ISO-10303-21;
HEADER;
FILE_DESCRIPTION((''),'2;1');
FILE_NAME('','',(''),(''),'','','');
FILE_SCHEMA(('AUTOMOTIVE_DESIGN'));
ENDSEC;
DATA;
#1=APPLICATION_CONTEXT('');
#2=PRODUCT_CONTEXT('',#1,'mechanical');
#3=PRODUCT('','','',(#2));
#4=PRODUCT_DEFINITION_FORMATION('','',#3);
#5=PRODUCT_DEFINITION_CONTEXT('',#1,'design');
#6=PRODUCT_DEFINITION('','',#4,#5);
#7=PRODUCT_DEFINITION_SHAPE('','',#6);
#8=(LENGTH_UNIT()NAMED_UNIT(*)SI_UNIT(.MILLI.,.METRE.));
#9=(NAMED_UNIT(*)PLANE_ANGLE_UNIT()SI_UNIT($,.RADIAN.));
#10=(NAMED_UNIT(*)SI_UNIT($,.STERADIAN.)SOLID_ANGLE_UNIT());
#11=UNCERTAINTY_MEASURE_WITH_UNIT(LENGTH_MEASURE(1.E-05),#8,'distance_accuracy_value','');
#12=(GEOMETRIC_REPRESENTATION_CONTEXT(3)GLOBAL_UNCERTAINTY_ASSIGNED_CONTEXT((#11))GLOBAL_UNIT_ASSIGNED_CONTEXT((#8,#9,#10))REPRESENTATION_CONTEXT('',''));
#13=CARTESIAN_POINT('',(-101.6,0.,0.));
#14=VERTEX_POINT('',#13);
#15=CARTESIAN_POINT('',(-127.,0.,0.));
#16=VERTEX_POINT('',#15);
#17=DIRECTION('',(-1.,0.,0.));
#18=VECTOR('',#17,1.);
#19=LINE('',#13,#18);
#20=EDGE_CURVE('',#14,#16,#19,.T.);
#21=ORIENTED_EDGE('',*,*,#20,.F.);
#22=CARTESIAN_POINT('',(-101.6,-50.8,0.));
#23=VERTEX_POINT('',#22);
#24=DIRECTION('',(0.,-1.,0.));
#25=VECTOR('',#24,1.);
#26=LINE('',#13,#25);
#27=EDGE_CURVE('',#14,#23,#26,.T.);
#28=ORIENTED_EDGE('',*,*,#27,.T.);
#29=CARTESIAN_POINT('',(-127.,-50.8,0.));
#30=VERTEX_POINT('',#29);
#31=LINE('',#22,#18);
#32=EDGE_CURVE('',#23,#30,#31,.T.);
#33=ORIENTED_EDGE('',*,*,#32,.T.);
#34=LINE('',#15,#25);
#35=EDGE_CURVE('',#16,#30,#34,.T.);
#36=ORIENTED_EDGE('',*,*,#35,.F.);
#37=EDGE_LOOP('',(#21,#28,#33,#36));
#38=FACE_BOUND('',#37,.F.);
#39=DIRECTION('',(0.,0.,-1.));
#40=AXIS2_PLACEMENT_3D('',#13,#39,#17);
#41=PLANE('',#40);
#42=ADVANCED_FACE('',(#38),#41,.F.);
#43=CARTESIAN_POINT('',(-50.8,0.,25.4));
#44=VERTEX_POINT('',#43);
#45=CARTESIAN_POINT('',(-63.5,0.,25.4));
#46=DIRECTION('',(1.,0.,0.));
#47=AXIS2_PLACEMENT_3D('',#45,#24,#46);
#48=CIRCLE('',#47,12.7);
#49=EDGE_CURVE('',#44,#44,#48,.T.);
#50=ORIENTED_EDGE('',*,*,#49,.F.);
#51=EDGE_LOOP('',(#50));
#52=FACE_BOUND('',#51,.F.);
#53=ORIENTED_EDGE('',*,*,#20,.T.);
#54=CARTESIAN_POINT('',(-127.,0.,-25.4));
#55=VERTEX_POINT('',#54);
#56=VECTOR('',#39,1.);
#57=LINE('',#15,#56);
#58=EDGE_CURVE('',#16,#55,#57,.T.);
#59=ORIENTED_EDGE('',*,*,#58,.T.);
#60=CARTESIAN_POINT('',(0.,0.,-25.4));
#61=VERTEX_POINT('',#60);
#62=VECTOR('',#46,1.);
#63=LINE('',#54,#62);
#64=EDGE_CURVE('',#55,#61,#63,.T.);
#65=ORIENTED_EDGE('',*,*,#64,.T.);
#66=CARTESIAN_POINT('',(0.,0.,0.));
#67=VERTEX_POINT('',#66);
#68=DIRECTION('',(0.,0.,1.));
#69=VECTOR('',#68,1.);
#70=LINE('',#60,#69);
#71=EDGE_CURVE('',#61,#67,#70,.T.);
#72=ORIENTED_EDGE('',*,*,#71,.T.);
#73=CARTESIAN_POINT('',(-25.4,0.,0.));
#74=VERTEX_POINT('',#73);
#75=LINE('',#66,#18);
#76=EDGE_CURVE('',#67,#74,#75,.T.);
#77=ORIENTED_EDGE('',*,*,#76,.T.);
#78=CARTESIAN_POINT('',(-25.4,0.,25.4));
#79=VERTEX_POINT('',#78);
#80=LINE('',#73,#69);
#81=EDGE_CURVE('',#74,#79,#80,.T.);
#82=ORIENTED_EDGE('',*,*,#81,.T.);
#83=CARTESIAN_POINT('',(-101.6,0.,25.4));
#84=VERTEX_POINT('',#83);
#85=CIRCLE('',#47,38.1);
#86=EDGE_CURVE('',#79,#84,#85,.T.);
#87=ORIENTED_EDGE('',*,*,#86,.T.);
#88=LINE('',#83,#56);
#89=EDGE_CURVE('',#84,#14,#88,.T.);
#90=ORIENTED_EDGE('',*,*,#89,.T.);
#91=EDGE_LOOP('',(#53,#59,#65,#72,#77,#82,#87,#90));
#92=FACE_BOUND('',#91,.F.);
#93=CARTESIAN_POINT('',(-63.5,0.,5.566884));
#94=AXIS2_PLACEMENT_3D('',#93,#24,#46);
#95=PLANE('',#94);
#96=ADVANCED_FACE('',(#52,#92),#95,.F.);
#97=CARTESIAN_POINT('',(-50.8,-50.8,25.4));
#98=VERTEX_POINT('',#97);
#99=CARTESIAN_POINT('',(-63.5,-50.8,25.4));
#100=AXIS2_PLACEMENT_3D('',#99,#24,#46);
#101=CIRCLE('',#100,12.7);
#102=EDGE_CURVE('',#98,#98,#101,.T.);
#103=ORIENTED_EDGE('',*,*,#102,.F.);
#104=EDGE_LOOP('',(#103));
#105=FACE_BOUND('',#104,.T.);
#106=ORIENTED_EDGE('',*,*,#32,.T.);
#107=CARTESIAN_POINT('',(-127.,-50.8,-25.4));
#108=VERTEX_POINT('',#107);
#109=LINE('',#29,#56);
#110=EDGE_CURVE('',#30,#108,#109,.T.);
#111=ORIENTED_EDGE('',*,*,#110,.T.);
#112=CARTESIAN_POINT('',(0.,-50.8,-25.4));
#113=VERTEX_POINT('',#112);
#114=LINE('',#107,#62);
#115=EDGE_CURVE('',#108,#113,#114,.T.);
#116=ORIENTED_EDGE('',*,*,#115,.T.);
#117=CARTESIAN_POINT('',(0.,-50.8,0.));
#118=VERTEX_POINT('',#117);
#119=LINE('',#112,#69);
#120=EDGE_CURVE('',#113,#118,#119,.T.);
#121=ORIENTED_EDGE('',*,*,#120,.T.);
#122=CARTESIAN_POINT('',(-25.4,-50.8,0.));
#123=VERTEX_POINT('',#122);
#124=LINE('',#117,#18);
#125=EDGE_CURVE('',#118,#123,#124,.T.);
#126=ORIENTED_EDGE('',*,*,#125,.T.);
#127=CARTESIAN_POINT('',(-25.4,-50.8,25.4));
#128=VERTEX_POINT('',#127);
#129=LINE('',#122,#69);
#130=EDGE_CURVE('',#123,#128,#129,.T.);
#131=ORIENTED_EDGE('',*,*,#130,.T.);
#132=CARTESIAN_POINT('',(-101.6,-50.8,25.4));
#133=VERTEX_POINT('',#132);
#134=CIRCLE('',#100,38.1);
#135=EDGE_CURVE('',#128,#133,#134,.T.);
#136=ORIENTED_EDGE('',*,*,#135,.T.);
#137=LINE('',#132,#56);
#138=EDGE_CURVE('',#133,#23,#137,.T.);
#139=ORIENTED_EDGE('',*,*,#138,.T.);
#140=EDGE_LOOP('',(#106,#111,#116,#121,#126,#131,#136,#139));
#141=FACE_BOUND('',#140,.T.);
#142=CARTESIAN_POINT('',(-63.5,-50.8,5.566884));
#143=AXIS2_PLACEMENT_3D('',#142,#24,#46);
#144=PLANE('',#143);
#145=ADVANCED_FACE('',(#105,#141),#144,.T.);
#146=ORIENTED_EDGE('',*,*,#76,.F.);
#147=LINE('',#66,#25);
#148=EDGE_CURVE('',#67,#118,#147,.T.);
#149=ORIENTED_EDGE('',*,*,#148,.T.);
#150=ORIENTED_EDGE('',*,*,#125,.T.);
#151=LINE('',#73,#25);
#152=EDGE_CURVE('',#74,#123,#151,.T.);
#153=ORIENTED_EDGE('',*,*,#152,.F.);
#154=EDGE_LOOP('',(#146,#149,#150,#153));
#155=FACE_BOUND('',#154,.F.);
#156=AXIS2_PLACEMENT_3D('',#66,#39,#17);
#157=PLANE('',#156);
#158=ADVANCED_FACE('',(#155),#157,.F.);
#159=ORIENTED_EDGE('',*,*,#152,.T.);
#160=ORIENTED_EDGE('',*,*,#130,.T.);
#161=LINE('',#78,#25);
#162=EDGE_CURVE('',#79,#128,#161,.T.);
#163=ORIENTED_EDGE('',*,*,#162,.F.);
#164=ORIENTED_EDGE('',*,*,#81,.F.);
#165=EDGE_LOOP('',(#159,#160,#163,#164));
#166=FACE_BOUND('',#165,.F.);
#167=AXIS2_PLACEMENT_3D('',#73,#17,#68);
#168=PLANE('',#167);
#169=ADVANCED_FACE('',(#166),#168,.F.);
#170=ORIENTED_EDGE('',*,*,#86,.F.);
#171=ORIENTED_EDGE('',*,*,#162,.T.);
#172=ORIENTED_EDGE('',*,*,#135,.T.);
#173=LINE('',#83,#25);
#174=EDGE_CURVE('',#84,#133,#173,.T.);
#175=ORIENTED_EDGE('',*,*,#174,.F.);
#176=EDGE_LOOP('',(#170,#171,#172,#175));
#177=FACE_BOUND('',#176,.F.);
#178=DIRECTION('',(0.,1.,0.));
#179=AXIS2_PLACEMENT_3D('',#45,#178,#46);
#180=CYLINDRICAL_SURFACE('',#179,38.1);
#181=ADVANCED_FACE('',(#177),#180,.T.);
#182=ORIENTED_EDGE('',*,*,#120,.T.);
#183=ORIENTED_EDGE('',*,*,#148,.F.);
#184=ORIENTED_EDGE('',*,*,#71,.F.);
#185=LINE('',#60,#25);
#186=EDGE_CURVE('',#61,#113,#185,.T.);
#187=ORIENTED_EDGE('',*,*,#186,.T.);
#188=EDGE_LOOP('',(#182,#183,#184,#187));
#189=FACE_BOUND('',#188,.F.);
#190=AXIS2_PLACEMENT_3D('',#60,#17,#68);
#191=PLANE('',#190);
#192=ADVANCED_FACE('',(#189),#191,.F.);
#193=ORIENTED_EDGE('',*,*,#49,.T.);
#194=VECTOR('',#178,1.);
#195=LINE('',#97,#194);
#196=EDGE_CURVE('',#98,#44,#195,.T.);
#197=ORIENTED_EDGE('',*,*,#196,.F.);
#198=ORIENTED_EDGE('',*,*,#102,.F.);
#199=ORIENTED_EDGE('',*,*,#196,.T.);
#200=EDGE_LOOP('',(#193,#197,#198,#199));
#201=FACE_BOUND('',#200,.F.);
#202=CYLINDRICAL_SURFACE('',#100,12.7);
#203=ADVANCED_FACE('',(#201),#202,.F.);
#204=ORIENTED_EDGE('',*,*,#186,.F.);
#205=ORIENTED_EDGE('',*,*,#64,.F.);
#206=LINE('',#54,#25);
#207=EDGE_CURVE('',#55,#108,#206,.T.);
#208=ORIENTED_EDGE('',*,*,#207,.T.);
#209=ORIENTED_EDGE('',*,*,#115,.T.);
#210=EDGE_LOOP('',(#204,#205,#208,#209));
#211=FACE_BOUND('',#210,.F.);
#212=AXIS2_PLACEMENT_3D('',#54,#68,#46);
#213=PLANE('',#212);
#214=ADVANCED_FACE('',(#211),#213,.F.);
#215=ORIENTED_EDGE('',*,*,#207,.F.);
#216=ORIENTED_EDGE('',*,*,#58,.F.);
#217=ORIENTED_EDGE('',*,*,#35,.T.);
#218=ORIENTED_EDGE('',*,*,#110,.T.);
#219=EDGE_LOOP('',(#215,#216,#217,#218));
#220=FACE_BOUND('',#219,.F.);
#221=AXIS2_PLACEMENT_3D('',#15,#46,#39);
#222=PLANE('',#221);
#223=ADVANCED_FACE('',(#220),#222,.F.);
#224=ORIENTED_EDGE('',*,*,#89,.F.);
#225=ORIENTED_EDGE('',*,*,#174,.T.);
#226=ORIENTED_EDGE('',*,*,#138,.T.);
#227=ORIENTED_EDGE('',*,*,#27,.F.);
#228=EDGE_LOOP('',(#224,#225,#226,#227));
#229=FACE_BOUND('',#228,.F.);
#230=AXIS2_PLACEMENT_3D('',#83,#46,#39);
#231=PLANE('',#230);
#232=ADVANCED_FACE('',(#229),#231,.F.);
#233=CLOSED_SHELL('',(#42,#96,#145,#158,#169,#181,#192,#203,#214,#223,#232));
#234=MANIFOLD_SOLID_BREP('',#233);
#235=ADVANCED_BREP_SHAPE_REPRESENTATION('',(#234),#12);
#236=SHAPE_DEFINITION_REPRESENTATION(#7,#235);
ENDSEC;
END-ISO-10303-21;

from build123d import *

# Parameters (mm, degrees)
F1_DEPTH = 50.8
F2_R     = 12.7
F3_DEPTH = 50.801


with BuildPart() as f1:
    # F0 (on Front) → F1 (new body)
    with BuildSketch(Plane.XZ):
        with BuildLine():
            Line((0, -25.4), (0, 0))
            Line((0, 0), (-25.4, 0))
            Line((-25.4, 0), (-25.4, 25.4))
            ThreePointArc((-25.4, 25.4), (-63.5, 63.5), (-101.6, 25.4))
            Line((-101.6, 25.4), (-101.6, 0))
            Line((-101.6, 0), (-127, 0))
            Line((-127, 0), (-127, -25.4))
            Line((-127, -25.4), (0, -25.4))
        make_face()
    extrude(amount=F1_DEPTH)

    # F2 (on face) → F3 (cut, through all)
    with BuildSketch(Plane.XZ.offset(50.8)):
        with Locations((-63.5, 25.4)):
            Circle(F2_R)
    extrude(amount=-F3_DEPTH, mode=Mode.SUBTRACT)


solid = f1.part
